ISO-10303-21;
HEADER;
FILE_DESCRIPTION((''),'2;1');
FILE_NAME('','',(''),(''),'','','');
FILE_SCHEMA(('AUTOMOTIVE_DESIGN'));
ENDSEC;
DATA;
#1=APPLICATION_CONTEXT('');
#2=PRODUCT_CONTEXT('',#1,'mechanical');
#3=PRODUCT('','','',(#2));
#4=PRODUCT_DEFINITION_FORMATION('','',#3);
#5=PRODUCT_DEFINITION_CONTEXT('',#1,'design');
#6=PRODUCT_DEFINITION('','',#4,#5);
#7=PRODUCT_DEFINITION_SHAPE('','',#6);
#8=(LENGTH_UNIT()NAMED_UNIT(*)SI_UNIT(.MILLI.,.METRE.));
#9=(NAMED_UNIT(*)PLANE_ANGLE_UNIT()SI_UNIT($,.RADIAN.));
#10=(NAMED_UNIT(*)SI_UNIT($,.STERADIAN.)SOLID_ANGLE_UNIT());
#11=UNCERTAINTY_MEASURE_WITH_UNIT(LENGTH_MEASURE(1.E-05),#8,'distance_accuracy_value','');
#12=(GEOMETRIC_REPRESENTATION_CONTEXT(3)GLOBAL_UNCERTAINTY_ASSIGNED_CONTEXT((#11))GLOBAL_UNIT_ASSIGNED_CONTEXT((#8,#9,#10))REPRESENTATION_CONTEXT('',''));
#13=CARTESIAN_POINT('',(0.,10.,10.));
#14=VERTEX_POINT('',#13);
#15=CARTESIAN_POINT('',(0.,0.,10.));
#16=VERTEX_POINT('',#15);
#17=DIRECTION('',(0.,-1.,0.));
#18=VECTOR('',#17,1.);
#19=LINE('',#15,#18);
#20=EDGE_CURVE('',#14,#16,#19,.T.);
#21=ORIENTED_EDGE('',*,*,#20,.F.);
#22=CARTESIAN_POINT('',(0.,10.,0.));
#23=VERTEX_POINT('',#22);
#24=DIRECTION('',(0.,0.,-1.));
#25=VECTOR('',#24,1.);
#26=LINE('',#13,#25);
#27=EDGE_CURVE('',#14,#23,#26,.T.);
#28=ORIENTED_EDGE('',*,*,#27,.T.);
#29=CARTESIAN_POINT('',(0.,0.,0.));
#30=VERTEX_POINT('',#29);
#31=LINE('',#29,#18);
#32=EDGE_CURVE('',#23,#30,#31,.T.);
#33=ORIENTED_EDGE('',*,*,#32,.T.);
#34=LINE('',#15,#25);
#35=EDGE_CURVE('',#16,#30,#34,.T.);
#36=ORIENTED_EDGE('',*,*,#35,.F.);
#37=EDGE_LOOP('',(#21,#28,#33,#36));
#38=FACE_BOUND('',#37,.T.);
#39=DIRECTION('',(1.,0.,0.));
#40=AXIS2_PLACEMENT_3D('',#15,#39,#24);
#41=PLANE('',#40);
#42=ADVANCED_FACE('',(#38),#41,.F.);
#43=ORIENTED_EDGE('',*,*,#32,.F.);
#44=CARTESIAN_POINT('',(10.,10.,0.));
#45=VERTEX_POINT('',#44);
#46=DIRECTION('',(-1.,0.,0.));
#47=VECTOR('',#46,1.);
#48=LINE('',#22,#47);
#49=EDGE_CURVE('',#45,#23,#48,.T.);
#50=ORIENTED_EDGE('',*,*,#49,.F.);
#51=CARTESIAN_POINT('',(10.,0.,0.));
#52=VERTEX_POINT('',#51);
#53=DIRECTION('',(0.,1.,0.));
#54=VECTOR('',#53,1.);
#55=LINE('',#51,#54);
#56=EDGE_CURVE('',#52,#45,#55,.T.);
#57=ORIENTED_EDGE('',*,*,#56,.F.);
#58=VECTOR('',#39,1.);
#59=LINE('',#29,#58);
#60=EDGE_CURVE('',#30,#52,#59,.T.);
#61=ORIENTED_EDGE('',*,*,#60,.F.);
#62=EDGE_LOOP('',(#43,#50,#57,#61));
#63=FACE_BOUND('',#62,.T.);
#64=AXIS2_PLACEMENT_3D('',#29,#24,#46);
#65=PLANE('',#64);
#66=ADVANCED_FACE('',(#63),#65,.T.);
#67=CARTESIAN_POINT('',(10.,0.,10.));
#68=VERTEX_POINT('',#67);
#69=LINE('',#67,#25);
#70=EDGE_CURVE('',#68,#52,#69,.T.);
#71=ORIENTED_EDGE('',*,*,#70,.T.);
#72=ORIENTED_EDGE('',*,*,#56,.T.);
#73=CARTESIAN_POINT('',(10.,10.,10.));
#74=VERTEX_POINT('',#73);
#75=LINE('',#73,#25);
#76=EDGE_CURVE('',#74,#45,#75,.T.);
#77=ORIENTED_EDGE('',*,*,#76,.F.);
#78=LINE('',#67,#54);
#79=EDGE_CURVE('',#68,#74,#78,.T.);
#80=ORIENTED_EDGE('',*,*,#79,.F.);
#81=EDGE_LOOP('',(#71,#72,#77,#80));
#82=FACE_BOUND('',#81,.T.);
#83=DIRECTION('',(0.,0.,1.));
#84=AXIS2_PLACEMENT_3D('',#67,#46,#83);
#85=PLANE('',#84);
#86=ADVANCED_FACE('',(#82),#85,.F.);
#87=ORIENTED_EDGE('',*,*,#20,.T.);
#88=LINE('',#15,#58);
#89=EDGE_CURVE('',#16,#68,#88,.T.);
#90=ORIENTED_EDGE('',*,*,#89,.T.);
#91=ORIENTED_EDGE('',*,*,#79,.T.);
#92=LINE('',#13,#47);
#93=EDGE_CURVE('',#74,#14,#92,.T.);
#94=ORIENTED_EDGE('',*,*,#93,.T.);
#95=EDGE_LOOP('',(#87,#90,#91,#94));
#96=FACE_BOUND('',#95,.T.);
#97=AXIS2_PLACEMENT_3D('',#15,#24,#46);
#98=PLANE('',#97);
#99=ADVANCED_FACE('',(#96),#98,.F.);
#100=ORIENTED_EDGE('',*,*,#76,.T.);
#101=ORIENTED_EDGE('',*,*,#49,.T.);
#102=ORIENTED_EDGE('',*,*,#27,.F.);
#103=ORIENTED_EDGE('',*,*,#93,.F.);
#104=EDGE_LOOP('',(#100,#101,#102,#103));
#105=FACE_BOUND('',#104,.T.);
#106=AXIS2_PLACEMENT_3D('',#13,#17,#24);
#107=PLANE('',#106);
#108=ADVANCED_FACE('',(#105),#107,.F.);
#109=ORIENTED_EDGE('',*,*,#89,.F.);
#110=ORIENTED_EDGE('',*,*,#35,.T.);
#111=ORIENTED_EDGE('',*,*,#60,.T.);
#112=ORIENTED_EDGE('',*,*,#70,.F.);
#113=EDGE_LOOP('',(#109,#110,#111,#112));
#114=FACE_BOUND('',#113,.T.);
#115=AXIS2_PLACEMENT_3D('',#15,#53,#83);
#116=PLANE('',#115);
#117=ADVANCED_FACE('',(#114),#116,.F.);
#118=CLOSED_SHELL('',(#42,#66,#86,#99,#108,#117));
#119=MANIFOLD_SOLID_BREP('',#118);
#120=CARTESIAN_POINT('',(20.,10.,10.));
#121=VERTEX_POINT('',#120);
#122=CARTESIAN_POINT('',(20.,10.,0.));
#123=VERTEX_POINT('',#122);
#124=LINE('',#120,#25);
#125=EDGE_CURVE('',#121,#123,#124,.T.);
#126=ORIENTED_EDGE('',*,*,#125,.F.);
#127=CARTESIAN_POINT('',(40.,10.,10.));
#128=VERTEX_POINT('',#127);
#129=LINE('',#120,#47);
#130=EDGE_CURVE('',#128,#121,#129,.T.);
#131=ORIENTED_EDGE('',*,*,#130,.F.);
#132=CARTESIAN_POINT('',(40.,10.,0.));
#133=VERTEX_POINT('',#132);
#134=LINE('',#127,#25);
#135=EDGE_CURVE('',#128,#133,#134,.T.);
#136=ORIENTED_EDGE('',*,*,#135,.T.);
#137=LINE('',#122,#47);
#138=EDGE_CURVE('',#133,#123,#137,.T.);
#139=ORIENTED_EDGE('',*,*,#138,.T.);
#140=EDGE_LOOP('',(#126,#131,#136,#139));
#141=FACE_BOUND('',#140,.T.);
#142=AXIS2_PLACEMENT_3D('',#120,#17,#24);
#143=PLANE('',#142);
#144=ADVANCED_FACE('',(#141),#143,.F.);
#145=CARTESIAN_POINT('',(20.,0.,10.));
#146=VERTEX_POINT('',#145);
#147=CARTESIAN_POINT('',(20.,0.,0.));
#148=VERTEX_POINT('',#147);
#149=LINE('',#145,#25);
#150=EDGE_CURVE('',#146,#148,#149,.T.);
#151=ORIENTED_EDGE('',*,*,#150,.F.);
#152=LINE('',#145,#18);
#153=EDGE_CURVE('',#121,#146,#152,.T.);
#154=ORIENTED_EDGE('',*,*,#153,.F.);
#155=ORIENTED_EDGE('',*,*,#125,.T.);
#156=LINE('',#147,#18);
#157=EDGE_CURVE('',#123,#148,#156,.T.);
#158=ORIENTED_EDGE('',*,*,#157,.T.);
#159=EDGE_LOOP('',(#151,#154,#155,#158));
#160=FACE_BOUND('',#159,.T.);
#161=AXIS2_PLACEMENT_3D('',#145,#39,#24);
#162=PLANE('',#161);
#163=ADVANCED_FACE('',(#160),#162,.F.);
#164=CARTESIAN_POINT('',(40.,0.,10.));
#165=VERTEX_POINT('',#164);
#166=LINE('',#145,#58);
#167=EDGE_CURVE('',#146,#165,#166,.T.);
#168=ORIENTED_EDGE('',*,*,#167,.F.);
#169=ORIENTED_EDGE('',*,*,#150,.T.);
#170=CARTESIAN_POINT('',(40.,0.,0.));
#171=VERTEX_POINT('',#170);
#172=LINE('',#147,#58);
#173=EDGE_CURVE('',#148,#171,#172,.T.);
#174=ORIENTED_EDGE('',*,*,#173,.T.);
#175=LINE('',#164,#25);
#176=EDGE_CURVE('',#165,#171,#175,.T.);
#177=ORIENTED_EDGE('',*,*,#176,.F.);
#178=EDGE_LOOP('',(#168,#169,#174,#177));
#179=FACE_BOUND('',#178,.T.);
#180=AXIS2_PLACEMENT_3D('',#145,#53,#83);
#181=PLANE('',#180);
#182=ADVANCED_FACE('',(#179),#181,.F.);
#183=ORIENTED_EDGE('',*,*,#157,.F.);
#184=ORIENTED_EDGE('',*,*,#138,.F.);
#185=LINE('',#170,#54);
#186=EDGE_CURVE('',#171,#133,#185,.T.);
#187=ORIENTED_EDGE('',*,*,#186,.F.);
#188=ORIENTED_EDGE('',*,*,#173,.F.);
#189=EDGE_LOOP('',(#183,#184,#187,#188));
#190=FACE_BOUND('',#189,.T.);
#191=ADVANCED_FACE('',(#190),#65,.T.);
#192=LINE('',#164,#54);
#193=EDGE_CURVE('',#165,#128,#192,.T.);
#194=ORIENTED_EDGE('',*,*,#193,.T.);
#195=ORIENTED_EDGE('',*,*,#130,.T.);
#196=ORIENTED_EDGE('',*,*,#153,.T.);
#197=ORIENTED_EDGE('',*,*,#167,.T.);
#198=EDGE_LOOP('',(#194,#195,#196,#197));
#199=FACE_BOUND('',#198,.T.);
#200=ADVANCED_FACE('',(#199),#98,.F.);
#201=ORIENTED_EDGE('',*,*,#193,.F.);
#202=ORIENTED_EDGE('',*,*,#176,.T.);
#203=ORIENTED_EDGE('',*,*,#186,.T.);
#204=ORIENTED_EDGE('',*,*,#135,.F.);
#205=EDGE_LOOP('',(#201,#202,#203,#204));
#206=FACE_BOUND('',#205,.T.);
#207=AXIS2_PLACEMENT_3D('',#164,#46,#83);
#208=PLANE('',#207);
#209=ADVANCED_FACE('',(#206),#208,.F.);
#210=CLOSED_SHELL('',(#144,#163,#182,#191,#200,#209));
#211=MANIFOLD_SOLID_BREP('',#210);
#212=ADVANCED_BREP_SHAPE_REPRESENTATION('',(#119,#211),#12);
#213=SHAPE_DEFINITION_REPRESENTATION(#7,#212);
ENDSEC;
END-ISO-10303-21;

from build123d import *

# Parameters (mm, degrees)
SELECTIONSEED_W          = 10
SELECTIONSEED_H          = 10
SELECTIONEXTRUDE_DEPTH   = 10
SELECTIONSEED_W_2        = 20
SELECTIONEXTRUDE_2_DEPTH = 10


with BuildPart() as part:
    # SelectionSeed → SelectionExtrude (new body)
    with BuildSketch(Plane.XY):
        with Locations((5, 5)):
            Rectangle(SELECTIONSEED_W, SELECTIONSEED_H)
    extrude(amount=SELECTIONEXTRUDE_DEPTH)


with BuildPart() as body_2:
    # SelectionSeed → SelectionExtrude 2 (new body)
    with BuildSketch(Plane.XY):
        with Locations((30, 5)):
            Rectangle(SELECTIONSEED_W_2, SELECTIONSEED_H)
    extrude(amount=SELECTIONEXTRUDE_2_DEPTH)


solid = Compound([part.part, body_2.part])
